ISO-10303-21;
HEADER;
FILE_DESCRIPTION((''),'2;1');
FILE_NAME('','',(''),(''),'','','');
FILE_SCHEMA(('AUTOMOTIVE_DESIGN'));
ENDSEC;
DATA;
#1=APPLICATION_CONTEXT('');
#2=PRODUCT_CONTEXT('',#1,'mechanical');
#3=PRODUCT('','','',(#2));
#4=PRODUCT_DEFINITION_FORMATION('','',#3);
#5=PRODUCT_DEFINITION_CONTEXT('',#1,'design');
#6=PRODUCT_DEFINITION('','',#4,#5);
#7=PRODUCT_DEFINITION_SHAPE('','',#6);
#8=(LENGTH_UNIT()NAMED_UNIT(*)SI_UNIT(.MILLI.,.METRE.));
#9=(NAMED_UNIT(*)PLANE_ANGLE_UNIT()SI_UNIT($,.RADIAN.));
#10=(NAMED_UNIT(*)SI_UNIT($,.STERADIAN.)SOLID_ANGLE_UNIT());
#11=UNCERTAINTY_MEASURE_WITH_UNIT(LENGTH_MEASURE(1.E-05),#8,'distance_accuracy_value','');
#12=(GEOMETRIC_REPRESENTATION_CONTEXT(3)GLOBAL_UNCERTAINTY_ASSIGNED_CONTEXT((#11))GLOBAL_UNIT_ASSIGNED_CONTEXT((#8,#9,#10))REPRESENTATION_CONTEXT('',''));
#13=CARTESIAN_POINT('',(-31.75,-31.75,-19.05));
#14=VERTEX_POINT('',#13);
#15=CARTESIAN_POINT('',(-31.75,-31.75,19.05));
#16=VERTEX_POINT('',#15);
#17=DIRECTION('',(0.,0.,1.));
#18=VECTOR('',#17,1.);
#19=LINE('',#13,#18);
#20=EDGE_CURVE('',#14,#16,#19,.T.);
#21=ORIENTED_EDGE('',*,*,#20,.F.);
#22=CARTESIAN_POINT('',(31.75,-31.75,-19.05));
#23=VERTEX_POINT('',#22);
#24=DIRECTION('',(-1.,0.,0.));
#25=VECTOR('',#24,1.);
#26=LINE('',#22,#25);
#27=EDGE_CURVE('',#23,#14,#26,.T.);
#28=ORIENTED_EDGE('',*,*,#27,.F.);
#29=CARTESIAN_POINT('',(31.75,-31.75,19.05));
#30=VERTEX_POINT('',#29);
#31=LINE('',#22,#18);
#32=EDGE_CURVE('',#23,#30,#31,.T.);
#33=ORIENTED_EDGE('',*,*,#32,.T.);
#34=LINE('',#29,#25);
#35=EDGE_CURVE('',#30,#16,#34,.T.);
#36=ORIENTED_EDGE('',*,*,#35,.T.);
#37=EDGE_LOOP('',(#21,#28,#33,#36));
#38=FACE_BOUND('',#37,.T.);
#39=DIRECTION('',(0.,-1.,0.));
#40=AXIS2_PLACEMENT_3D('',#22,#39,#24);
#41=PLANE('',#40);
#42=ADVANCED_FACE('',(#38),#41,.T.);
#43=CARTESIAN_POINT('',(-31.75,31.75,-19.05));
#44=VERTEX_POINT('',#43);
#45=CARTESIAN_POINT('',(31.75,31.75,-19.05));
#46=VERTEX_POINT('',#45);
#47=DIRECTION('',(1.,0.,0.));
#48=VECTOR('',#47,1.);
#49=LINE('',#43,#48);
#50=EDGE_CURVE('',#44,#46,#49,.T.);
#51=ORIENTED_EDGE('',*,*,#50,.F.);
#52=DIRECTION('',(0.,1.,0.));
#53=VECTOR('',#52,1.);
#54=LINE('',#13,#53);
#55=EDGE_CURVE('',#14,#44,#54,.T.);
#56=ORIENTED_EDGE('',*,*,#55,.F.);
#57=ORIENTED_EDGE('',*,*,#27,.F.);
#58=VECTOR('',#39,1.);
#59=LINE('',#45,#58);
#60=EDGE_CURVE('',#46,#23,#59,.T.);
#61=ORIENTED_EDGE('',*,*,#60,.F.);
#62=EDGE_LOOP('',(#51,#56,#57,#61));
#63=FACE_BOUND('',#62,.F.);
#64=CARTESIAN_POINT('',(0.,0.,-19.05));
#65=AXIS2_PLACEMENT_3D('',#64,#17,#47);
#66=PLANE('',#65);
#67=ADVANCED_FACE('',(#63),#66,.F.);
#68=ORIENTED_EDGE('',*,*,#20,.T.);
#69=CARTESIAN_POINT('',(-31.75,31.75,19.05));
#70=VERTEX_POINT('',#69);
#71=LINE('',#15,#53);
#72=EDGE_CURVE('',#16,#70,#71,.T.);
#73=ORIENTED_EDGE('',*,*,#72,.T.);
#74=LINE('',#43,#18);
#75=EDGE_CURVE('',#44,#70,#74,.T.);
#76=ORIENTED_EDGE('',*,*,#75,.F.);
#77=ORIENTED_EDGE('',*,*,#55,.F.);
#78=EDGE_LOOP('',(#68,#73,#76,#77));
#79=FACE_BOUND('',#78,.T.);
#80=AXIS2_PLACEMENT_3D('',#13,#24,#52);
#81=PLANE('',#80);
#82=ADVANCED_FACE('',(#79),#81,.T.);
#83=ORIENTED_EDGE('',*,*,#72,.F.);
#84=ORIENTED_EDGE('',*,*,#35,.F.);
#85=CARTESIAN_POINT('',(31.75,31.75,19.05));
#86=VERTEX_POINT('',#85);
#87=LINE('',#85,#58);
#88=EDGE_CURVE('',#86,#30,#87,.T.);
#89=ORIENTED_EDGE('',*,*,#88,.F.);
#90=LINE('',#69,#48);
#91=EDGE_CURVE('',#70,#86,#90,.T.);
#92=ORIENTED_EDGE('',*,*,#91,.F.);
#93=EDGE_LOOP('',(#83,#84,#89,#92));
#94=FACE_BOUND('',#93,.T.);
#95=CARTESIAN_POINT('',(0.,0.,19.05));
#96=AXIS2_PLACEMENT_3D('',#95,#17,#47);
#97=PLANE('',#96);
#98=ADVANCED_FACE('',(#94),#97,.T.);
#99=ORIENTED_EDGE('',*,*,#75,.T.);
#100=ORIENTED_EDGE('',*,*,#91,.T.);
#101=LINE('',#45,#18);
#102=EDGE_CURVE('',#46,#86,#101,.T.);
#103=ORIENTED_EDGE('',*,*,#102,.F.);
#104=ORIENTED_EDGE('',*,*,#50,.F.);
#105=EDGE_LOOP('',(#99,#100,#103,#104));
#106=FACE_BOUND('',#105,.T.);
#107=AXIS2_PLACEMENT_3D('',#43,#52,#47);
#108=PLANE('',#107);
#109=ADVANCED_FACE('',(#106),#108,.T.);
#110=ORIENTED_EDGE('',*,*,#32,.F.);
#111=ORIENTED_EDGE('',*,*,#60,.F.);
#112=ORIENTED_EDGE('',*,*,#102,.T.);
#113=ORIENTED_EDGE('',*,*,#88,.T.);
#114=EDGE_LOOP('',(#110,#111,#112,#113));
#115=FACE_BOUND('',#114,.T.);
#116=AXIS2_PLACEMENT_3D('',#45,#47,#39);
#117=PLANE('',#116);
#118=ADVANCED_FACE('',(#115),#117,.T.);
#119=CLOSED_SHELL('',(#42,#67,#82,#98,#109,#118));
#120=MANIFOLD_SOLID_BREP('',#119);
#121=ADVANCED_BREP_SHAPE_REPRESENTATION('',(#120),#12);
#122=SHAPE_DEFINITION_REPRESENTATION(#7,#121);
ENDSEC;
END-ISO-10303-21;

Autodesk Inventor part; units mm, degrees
ref_plane "YZ Plane" through (0, 0, 0) normal (1, 0, 0) x (0, 1, 0)
ref_plane "XZ Plane" through (0, 0, 0) normal (0, 1, 0) x (-1, 0, 0)
ref_plane "XY Plane" through (0, 0, 0) normal (0, 0, 1) x (1, 0, 0)
sketch "Sketch1" plane through (0, 0, -19.05) normal (0, 0, 1) x (1, 0, 0)
  line L0 (-31.75, 31.75) -> (31.75, 31.75)
  line L1 (31.75, 31.75) -> (31.75, -31.75)
  line L2 (31.75, -31.75) -> (-31.75, -31.75)
  line L3 (-31.75, -31.75) -> (-31.75, 31.75)
  point P0 (0, 0)
  dimension "d1" = 31.75
  dimension "d2" = 31.75
  dimension "d3" = 31.75
  dimension "d4" = 31.75
extrude "Extrusion1" add sketch "Sketch1" along normal blind 38.1
equation "\"d1\" = -Xmin"
equation "\"d2\" = Xmax"
equation "\"d3\" = -Ymin"
equation "\"d4\" = Ymax"
equation "\"d5\" = Zmax - Zmin"
equation "\"Xmin\" = -31.75"
equation "\"Ymin\" = -31.75"
equation "\"Zmin\" = -19.05"
equation "\"Xmax\" = 31.75"
equation "\"Ymax\" = 31.75"
equation "\"Zmax\" = 19.05"
properties part number "Bottom Mold_Remote Bottom_WP"
